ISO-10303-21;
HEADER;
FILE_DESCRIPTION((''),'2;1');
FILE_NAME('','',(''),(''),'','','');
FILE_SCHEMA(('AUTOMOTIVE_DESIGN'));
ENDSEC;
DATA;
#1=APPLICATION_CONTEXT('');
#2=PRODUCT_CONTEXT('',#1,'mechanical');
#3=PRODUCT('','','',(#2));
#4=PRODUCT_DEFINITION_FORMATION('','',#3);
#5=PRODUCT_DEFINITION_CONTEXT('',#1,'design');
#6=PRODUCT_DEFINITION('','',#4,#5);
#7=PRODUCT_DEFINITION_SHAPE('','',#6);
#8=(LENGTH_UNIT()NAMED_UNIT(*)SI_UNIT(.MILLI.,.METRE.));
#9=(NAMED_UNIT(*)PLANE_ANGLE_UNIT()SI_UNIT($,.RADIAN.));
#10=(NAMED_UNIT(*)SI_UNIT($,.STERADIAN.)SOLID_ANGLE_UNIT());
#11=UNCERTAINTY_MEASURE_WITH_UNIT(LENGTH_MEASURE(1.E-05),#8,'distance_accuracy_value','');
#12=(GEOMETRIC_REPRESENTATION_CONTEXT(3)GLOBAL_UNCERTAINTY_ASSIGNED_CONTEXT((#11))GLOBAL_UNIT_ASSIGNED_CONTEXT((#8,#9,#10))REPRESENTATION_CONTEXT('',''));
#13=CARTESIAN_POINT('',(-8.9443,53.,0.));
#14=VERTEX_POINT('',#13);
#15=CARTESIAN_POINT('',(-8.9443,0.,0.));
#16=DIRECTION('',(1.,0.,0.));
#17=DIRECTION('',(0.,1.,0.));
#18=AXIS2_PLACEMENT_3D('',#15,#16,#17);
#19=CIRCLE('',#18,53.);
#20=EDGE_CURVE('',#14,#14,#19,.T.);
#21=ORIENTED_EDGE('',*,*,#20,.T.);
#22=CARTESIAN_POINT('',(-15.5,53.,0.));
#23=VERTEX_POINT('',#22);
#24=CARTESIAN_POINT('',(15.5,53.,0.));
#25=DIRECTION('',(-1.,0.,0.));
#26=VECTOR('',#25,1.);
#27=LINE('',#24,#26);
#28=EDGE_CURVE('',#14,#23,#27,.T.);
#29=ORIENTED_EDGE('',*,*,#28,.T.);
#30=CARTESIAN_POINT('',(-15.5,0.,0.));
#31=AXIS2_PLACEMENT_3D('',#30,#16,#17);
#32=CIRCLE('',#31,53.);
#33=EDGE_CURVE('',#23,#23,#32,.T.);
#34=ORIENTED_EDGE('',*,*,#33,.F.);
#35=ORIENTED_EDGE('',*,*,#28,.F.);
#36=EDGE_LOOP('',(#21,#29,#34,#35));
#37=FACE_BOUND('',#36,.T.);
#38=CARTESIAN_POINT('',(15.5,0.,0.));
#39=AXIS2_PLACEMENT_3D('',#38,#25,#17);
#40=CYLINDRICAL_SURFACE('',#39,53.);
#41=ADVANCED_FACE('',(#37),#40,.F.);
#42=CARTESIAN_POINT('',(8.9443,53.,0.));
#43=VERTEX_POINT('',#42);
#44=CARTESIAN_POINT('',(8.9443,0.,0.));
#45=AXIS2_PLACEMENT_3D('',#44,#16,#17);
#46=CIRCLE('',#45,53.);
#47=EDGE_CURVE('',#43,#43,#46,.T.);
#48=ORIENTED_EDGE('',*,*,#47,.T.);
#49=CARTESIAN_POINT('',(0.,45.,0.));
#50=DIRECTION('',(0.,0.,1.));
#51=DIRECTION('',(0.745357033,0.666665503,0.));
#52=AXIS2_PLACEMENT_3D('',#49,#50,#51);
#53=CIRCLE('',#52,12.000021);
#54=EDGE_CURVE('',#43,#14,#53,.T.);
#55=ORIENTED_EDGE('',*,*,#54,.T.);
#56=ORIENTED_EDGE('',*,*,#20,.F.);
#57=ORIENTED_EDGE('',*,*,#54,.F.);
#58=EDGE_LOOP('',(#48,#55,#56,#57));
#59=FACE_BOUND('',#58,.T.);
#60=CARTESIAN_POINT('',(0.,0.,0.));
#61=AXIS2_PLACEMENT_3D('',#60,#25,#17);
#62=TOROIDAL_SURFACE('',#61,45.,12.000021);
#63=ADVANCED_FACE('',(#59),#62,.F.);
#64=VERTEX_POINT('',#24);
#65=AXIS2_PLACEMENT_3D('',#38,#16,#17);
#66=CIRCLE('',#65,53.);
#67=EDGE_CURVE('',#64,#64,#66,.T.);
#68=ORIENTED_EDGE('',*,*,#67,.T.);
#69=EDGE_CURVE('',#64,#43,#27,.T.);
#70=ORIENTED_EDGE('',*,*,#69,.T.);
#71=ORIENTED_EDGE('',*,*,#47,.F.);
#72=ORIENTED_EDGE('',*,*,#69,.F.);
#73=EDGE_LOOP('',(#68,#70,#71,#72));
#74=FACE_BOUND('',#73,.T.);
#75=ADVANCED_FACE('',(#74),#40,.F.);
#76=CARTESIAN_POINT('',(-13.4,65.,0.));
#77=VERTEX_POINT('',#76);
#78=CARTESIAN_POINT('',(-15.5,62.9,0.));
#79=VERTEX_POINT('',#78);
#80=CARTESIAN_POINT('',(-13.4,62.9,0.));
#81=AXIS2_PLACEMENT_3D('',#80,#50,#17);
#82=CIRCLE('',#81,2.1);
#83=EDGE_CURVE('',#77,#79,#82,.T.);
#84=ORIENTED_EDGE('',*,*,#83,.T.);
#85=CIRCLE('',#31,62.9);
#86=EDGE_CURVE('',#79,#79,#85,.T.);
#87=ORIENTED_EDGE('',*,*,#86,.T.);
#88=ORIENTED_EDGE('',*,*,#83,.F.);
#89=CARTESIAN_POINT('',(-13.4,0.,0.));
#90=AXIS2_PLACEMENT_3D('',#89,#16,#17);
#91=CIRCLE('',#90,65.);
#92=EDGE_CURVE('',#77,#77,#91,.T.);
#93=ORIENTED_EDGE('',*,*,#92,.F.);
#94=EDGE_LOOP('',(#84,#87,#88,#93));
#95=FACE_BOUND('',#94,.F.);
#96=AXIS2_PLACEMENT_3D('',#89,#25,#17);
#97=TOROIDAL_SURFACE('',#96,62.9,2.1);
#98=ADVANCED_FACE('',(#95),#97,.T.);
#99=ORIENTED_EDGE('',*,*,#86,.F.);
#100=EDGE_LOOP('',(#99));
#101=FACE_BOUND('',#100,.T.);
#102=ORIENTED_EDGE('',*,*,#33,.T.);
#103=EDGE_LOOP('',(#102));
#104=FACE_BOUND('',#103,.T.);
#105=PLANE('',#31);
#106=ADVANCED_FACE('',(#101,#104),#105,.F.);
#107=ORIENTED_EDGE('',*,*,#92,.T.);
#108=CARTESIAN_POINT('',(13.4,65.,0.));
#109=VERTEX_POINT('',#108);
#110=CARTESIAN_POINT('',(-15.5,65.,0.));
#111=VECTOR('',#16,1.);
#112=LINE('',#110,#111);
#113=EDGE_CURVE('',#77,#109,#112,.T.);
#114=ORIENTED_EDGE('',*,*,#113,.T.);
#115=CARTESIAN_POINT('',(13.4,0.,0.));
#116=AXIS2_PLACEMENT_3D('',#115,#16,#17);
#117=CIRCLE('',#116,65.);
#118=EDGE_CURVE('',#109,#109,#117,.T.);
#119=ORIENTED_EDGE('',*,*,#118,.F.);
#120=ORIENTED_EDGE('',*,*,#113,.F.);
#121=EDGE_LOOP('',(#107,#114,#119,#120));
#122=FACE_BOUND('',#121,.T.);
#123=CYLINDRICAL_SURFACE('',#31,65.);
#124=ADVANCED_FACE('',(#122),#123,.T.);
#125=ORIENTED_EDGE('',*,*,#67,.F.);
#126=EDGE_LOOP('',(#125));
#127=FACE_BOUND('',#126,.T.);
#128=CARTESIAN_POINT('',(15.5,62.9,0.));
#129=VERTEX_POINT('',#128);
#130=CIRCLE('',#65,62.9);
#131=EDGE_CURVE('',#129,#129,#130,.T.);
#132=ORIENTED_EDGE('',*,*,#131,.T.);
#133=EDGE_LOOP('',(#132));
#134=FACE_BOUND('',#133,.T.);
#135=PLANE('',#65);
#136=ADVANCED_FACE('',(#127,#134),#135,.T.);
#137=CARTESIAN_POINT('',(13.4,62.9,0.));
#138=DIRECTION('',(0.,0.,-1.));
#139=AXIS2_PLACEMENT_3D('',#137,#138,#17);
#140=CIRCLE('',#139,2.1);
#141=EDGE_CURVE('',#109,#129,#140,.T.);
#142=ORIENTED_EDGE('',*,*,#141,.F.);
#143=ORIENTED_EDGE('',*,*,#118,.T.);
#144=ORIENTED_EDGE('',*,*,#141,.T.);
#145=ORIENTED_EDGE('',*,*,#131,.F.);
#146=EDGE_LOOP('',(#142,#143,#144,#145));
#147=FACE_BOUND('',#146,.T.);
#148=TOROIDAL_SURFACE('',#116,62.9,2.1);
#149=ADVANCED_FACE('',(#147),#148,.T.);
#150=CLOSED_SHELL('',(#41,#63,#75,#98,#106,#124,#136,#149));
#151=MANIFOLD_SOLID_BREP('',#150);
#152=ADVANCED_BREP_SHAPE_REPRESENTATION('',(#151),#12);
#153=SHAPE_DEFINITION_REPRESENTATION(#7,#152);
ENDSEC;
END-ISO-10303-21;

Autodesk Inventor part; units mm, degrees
ref_plane "YZ Plane" through (0, 0, 0) normal (1, 0, 0) x (0, 1, 0)
ref_plane "XZ Plane" through (0, 0, 0) normal (0, 1, 0) x (-1, 0, 0)
ref_plane "XY Plane" through (0, 0, 0) normal (0, 0, 1) x (1, 0, 0)
sketch "Sketch1" plane through (0, 0, 0) normal (0, 0, 1) x (1, 0, 0)
  line L0 (-15.5, 65) -> (15.5, 65)
  line L1 (15.5, 65) -> (15.5, 53)
  line L2 (15.5, 53) -> (-15.5, 53)
  line L3 (-15.5, 53) -> (-15.5, 65)
  arc A0 (8.9443, 53) -> (-8.9443, 53) centre (0, 45) ccw
  line L4 (-21.7, 0) -> (21.7, 0) projected
  point P0 (0, 0)
  dimension "d0" = 31
  dimension "d1" = 15.5
  dimension "d2" = 12
  dimension "d3" = 53
  dimension "d4" = 8
  dimension "d5" = 12
revolve "Revolution1" add sketch "Sketch1" angle 360 about axis through (-10, 0, 0) along (1, 0, 0) contours L0 L1 L2 A0 L3
fillet "Fillet1" radius 2.1 2 edges at (-15.5, -65, 0) (15.5, -65, 0)
properties part number "Outer Rings"
